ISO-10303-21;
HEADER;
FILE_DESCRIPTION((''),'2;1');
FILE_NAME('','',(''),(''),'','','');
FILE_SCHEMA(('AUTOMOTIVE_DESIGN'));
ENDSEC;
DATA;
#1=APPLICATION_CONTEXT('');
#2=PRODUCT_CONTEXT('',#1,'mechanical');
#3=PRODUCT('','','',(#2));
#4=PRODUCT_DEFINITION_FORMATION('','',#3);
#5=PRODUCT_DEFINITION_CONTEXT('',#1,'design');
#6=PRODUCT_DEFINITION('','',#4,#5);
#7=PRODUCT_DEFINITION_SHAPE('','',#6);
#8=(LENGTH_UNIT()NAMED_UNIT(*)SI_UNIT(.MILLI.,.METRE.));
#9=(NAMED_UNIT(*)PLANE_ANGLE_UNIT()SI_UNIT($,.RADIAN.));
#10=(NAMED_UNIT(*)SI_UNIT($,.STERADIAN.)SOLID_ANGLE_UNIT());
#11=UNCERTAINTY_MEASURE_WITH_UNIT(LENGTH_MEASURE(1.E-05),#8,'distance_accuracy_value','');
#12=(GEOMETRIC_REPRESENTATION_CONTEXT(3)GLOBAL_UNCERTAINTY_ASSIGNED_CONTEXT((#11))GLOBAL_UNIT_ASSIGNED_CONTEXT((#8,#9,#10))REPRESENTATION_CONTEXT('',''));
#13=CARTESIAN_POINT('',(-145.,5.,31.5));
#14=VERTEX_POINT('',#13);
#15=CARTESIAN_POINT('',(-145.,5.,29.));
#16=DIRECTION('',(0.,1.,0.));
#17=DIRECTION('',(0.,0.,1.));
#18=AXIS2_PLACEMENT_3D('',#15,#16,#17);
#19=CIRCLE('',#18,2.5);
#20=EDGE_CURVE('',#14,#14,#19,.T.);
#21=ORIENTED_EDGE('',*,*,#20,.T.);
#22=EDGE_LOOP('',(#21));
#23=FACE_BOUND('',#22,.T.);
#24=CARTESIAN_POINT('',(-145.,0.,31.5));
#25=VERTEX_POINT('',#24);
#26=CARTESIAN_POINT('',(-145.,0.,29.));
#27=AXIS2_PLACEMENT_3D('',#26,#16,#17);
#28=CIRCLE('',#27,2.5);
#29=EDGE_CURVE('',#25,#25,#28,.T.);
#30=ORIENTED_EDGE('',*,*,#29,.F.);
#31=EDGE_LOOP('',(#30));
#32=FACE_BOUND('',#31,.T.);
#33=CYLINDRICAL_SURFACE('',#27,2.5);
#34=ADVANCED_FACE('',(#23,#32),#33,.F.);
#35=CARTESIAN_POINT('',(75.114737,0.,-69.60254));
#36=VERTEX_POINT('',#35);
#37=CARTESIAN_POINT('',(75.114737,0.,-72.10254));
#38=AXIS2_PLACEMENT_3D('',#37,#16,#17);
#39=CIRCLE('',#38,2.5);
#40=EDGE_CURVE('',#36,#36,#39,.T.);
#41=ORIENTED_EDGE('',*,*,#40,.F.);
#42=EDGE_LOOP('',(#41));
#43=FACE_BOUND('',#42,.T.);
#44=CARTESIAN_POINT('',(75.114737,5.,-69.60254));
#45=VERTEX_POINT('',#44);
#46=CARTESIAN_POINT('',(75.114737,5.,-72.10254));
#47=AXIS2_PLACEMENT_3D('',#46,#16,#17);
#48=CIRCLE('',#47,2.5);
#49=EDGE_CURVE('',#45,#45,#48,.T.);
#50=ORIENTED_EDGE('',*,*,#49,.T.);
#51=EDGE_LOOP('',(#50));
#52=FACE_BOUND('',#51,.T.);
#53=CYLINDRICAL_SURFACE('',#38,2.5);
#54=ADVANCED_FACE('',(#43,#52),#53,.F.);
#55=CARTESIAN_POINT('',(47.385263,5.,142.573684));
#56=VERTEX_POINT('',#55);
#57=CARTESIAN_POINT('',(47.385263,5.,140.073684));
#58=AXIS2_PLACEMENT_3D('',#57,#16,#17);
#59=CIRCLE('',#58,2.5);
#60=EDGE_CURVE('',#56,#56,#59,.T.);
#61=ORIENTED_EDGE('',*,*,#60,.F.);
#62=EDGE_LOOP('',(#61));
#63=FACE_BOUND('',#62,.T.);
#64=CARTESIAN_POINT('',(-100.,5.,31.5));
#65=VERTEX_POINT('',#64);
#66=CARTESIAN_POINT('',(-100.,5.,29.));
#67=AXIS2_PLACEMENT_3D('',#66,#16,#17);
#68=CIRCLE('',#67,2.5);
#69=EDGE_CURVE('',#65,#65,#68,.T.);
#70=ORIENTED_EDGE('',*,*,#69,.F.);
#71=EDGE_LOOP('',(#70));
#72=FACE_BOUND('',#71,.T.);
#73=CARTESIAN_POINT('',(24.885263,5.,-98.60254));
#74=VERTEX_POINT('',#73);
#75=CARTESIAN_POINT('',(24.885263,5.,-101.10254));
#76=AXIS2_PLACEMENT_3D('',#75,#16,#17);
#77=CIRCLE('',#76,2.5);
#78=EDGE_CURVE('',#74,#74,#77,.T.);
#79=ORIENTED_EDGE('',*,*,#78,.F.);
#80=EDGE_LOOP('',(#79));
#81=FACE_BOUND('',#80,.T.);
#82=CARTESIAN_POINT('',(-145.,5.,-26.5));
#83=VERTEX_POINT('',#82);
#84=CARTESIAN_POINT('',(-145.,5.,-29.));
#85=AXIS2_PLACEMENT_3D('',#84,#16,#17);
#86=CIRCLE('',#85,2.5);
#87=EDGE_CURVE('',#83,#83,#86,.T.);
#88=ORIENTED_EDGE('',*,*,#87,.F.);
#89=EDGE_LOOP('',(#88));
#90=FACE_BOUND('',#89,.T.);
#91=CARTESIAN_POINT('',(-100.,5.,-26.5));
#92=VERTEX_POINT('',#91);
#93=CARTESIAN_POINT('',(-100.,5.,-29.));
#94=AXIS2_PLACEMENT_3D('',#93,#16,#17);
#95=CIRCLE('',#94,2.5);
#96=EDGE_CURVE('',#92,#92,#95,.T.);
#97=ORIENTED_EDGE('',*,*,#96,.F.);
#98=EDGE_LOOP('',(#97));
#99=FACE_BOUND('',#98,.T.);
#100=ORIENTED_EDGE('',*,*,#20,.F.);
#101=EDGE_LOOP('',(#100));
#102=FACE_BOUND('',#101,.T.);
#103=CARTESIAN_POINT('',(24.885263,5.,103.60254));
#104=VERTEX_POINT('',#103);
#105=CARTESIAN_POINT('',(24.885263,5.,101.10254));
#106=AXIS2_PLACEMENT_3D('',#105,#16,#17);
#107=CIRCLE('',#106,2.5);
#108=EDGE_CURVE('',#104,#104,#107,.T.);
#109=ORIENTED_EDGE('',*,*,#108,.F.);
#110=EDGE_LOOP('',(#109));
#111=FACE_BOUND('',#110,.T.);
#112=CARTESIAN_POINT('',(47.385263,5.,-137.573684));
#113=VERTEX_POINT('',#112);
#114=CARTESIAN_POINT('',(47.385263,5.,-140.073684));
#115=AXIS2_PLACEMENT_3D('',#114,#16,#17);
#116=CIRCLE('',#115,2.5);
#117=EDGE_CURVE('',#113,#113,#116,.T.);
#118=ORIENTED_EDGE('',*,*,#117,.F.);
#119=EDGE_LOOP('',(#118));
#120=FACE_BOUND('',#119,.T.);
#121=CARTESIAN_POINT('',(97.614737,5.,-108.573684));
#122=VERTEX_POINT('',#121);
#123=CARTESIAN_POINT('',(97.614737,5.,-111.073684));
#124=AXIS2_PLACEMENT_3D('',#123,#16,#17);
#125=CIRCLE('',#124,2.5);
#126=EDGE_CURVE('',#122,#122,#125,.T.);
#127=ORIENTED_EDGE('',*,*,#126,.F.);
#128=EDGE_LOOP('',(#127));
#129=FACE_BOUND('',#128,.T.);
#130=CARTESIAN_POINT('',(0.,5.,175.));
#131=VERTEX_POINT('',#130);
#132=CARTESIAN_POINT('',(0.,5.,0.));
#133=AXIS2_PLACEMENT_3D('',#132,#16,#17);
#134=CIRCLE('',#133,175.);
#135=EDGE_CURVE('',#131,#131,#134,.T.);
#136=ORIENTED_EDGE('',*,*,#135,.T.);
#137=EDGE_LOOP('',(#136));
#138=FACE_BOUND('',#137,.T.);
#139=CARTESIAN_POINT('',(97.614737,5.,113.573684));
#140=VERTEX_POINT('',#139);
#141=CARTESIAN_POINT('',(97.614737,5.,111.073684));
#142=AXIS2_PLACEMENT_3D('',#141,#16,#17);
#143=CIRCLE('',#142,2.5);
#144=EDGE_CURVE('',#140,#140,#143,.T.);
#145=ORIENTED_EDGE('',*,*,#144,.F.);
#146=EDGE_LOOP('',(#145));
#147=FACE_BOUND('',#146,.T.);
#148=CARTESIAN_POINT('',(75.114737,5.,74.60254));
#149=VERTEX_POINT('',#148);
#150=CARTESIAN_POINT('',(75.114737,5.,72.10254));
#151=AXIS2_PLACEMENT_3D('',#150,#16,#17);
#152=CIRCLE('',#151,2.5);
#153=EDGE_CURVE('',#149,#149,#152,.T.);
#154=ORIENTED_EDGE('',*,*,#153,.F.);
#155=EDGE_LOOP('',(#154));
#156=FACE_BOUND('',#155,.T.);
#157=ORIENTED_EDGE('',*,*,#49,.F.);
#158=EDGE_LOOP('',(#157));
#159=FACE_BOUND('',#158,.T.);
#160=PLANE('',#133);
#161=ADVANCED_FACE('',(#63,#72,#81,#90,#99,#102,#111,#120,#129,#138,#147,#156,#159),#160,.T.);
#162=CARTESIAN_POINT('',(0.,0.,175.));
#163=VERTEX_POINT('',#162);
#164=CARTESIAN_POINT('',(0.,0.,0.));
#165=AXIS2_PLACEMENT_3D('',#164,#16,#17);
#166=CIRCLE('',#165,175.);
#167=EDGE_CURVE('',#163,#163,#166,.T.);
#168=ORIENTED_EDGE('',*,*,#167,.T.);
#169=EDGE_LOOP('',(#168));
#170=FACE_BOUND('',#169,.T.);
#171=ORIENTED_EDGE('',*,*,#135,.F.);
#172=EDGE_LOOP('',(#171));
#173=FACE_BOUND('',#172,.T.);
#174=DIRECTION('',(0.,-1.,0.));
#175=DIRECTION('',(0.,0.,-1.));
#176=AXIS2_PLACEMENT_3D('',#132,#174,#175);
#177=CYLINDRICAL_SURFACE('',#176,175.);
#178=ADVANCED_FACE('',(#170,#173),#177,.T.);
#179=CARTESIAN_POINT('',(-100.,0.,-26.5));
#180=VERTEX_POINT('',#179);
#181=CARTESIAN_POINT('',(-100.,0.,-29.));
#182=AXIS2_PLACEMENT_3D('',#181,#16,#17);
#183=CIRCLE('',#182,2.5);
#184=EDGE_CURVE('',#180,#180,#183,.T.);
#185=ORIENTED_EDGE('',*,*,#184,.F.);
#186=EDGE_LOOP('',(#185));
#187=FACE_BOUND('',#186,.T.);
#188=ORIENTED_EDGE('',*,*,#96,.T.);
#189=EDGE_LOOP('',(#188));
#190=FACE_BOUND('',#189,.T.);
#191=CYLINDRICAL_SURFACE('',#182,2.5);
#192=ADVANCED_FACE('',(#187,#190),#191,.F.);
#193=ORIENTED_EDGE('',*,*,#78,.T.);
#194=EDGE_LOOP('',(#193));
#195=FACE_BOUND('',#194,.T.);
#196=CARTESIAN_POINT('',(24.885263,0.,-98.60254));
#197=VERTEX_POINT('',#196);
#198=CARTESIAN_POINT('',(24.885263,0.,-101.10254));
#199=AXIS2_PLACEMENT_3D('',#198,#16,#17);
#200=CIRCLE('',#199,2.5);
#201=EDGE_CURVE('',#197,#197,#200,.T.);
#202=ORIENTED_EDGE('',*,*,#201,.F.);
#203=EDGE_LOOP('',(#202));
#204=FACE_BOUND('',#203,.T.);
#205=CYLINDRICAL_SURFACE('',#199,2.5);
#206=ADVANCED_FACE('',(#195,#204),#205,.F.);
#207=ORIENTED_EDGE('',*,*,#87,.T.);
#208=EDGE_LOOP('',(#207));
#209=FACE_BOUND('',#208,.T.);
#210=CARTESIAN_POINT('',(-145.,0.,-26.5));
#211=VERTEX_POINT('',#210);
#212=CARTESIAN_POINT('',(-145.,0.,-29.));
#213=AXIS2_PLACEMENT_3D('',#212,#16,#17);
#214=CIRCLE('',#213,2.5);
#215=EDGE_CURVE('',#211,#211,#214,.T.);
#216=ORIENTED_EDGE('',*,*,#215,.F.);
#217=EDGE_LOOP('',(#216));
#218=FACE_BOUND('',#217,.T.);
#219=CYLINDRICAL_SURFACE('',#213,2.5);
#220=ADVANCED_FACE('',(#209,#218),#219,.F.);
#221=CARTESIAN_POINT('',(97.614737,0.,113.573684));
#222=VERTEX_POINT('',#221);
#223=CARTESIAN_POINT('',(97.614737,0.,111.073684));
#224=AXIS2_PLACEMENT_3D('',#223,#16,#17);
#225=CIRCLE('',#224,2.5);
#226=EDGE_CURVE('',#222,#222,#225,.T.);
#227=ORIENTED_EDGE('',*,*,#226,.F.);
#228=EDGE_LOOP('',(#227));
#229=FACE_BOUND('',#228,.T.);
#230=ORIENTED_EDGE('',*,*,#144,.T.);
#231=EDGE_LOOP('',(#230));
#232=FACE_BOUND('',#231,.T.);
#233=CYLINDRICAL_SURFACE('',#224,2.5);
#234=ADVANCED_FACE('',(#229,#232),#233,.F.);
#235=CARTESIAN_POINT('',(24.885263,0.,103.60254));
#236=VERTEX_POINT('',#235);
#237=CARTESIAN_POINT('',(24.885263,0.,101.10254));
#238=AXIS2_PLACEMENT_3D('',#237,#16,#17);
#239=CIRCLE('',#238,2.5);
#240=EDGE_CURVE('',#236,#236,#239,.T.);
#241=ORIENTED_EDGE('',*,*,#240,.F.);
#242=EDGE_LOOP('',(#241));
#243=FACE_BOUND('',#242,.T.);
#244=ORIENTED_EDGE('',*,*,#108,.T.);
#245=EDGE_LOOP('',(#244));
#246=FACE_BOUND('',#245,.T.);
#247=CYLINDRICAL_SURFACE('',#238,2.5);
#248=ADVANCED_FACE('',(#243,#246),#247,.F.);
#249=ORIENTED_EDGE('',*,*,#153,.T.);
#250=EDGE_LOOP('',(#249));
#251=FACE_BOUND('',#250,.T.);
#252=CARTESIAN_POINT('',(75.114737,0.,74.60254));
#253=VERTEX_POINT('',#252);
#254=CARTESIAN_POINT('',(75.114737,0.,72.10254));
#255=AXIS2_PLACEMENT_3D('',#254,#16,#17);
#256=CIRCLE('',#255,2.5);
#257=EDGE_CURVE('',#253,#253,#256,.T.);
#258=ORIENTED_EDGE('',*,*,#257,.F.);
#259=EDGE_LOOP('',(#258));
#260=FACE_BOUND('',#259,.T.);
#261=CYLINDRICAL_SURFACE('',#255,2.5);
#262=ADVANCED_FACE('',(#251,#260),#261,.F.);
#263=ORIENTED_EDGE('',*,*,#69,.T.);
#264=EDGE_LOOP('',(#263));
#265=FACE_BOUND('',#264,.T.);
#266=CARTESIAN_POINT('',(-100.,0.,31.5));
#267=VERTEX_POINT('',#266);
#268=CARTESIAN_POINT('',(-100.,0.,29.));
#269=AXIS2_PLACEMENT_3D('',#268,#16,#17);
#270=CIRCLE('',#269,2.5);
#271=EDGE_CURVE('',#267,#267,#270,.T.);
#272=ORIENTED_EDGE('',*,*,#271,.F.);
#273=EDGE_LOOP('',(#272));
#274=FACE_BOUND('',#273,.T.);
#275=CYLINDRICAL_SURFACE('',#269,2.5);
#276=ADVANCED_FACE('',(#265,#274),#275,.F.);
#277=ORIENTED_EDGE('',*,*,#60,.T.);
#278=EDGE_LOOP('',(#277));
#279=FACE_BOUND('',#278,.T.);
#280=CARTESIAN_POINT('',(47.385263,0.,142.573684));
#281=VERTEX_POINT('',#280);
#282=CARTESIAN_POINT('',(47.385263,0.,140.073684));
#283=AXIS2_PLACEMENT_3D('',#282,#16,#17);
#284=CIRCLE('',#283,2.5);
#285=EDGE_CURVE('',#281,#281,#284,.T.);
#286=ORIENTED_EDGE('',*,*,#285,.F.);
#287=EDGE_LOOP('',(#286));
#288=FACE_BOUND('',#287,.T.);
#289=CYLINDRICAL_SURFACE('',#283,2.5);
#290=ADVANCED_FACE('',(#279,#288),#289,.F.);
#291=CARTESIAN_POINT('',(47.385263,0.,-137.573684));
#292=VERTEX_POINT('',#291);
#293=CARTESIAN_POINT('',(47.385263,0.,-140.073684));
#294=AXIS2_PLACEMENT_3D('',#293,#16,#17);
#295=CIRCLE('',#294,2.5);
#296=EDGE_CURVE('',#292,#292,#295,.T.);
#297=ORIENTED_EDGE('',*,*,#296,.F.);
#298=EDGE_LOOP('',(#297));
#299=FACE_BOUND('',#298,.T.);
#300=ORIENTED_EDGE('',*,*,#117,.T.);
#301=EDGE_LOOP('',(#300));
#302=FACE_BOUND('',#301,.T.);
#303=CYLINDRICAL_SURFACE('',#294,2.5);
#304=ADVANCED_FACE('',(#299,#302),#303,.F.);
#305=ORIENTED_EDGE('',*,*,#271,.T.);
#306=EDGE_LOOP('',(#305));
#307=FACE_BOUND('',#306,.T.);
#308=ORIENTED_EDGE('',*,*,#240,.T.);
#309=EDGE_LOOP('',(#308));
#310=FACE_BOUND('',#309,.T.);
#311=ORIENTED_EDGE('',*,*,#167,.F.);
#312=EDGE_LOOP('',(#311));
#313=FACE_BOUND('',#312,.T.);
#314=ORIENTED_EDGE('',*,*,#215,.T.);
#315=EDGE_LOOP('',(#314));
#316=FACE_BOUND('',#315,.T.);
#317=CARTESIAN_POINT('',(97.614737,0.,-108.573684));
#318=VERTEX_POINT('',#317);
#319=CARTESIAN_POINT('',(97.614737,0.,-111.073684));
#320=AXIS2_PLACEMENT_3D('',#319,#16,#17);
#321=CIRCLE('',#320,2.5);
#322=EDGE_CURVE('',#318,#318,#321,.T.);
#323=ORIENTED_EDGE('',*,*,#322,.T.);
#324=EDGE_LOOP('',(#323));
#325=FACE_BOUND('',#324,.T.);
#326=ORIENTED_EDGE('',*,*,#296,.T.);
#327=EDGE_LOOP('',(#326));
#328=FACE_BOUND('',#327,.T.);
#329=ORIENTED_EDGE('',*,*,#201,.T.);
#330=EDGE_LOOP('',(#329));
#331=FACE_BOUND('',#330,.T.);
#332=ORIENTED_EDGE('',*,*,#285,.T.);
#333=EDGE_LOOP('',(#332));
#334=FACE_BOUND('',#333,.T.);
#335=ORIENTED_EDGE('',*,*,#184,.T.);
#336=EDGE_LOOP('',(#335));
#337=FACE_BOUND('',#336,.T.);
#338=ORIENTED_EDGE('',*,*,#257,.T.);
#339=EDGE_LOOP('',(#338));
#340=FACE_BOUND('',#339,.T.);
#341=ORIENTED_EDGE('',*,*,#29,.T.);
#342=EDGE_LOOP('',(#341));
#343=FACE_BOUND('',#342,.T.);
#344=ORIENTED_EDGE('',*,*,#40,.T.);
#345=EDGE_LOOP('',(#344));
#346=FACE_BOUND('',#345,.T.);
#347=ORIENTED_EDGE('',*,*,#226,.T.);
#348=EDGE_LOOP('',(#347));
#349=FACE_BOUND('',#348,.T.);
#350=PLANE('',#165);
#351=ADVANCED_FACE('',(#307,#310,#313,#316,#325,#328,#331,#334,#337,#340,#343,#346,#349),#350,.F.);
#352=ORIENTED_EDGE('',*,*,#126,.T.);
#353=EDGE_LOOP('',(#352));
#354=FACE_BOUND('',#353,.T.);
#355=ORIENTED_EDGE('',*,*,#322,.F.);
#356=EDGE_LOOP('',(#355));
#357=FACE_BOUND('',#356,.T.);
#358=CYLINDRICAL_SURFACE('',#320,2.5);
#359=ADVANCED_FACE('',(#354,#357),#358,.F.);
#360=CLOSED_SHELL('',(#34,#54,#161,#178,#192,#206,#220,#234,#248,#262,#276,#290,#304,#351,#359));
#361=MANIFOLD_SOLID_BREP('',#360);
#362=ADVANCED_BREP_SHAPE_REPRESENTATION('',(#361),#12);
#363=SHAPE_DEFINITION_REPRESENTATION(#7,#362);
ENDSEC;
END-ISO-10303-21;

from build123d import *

# Parameters (mm, degrees)
SKETCH_1_R          = 175
EXTRUDE_1_DEPTH     = 5
SKETCH_2_R          = 2.5
CUT_EXTRUDE_1_DEPTH = 248.53787589


with BuildPart() as part:
    # 草图1 → 凸台-拉伸1 (new body)
    with BuildSketch(Plane(origin=(0, 0, 0), x_dir=(1, 0, 0), z_dir=(0, 1, 0))):
        Circle(SKETCH_1_R)
    extrude(amount=EXTRUDE_1_DEPTH)

    # 草图2 → 切除-拉伸1 (cut, through all)
    with BuildSketch(Plane(origin=(0, 5, 0), x_dir=(1, 0, 0), z_dir=(0, 1, 0))):
        with Locations((-145, -29)):
            Circle(SKETCH_2_R)
        with Locations((-145, 29)):
            Circle(SKETCH_2_R)
        with Locations((-100, -29)):
            Circle(SKETCH_2_R)
        with Locations((-100, 29)):
            Circle(SKETCH_2_R)
        with Locations((47.38526329, 140.073683549)):
            Circle(SKETCH_2_R)
        with Locations((97.61473671, 111.073683549)):
            Circle(SKETCH_2_R)
        with Locations((24.88526329, 101.102540378)):
            Circle(SKETCH_2_R)
        with Locations((75.11473671, 72.102540378)):
            Circle(SKETCH_2_R)
        with Locations((97.61473671, -111.073683549)):
            Circle(SKETCH_2_R)
        with Locations((47.38526329, -140.073683549)):
            Circle(SKETCH_2_R)
        with Locations((75.11473671, -72.102540378)):
            Circle(SKETCH_2_R)
        with Locations((24.88526329, -101.102540378)):
            Circle(SKETCH_2_R)
    extrude(amount=-CUT_EXTRUDE_1_DEPTH, mode=Mode.SUBTRACT)


solid = part.part
